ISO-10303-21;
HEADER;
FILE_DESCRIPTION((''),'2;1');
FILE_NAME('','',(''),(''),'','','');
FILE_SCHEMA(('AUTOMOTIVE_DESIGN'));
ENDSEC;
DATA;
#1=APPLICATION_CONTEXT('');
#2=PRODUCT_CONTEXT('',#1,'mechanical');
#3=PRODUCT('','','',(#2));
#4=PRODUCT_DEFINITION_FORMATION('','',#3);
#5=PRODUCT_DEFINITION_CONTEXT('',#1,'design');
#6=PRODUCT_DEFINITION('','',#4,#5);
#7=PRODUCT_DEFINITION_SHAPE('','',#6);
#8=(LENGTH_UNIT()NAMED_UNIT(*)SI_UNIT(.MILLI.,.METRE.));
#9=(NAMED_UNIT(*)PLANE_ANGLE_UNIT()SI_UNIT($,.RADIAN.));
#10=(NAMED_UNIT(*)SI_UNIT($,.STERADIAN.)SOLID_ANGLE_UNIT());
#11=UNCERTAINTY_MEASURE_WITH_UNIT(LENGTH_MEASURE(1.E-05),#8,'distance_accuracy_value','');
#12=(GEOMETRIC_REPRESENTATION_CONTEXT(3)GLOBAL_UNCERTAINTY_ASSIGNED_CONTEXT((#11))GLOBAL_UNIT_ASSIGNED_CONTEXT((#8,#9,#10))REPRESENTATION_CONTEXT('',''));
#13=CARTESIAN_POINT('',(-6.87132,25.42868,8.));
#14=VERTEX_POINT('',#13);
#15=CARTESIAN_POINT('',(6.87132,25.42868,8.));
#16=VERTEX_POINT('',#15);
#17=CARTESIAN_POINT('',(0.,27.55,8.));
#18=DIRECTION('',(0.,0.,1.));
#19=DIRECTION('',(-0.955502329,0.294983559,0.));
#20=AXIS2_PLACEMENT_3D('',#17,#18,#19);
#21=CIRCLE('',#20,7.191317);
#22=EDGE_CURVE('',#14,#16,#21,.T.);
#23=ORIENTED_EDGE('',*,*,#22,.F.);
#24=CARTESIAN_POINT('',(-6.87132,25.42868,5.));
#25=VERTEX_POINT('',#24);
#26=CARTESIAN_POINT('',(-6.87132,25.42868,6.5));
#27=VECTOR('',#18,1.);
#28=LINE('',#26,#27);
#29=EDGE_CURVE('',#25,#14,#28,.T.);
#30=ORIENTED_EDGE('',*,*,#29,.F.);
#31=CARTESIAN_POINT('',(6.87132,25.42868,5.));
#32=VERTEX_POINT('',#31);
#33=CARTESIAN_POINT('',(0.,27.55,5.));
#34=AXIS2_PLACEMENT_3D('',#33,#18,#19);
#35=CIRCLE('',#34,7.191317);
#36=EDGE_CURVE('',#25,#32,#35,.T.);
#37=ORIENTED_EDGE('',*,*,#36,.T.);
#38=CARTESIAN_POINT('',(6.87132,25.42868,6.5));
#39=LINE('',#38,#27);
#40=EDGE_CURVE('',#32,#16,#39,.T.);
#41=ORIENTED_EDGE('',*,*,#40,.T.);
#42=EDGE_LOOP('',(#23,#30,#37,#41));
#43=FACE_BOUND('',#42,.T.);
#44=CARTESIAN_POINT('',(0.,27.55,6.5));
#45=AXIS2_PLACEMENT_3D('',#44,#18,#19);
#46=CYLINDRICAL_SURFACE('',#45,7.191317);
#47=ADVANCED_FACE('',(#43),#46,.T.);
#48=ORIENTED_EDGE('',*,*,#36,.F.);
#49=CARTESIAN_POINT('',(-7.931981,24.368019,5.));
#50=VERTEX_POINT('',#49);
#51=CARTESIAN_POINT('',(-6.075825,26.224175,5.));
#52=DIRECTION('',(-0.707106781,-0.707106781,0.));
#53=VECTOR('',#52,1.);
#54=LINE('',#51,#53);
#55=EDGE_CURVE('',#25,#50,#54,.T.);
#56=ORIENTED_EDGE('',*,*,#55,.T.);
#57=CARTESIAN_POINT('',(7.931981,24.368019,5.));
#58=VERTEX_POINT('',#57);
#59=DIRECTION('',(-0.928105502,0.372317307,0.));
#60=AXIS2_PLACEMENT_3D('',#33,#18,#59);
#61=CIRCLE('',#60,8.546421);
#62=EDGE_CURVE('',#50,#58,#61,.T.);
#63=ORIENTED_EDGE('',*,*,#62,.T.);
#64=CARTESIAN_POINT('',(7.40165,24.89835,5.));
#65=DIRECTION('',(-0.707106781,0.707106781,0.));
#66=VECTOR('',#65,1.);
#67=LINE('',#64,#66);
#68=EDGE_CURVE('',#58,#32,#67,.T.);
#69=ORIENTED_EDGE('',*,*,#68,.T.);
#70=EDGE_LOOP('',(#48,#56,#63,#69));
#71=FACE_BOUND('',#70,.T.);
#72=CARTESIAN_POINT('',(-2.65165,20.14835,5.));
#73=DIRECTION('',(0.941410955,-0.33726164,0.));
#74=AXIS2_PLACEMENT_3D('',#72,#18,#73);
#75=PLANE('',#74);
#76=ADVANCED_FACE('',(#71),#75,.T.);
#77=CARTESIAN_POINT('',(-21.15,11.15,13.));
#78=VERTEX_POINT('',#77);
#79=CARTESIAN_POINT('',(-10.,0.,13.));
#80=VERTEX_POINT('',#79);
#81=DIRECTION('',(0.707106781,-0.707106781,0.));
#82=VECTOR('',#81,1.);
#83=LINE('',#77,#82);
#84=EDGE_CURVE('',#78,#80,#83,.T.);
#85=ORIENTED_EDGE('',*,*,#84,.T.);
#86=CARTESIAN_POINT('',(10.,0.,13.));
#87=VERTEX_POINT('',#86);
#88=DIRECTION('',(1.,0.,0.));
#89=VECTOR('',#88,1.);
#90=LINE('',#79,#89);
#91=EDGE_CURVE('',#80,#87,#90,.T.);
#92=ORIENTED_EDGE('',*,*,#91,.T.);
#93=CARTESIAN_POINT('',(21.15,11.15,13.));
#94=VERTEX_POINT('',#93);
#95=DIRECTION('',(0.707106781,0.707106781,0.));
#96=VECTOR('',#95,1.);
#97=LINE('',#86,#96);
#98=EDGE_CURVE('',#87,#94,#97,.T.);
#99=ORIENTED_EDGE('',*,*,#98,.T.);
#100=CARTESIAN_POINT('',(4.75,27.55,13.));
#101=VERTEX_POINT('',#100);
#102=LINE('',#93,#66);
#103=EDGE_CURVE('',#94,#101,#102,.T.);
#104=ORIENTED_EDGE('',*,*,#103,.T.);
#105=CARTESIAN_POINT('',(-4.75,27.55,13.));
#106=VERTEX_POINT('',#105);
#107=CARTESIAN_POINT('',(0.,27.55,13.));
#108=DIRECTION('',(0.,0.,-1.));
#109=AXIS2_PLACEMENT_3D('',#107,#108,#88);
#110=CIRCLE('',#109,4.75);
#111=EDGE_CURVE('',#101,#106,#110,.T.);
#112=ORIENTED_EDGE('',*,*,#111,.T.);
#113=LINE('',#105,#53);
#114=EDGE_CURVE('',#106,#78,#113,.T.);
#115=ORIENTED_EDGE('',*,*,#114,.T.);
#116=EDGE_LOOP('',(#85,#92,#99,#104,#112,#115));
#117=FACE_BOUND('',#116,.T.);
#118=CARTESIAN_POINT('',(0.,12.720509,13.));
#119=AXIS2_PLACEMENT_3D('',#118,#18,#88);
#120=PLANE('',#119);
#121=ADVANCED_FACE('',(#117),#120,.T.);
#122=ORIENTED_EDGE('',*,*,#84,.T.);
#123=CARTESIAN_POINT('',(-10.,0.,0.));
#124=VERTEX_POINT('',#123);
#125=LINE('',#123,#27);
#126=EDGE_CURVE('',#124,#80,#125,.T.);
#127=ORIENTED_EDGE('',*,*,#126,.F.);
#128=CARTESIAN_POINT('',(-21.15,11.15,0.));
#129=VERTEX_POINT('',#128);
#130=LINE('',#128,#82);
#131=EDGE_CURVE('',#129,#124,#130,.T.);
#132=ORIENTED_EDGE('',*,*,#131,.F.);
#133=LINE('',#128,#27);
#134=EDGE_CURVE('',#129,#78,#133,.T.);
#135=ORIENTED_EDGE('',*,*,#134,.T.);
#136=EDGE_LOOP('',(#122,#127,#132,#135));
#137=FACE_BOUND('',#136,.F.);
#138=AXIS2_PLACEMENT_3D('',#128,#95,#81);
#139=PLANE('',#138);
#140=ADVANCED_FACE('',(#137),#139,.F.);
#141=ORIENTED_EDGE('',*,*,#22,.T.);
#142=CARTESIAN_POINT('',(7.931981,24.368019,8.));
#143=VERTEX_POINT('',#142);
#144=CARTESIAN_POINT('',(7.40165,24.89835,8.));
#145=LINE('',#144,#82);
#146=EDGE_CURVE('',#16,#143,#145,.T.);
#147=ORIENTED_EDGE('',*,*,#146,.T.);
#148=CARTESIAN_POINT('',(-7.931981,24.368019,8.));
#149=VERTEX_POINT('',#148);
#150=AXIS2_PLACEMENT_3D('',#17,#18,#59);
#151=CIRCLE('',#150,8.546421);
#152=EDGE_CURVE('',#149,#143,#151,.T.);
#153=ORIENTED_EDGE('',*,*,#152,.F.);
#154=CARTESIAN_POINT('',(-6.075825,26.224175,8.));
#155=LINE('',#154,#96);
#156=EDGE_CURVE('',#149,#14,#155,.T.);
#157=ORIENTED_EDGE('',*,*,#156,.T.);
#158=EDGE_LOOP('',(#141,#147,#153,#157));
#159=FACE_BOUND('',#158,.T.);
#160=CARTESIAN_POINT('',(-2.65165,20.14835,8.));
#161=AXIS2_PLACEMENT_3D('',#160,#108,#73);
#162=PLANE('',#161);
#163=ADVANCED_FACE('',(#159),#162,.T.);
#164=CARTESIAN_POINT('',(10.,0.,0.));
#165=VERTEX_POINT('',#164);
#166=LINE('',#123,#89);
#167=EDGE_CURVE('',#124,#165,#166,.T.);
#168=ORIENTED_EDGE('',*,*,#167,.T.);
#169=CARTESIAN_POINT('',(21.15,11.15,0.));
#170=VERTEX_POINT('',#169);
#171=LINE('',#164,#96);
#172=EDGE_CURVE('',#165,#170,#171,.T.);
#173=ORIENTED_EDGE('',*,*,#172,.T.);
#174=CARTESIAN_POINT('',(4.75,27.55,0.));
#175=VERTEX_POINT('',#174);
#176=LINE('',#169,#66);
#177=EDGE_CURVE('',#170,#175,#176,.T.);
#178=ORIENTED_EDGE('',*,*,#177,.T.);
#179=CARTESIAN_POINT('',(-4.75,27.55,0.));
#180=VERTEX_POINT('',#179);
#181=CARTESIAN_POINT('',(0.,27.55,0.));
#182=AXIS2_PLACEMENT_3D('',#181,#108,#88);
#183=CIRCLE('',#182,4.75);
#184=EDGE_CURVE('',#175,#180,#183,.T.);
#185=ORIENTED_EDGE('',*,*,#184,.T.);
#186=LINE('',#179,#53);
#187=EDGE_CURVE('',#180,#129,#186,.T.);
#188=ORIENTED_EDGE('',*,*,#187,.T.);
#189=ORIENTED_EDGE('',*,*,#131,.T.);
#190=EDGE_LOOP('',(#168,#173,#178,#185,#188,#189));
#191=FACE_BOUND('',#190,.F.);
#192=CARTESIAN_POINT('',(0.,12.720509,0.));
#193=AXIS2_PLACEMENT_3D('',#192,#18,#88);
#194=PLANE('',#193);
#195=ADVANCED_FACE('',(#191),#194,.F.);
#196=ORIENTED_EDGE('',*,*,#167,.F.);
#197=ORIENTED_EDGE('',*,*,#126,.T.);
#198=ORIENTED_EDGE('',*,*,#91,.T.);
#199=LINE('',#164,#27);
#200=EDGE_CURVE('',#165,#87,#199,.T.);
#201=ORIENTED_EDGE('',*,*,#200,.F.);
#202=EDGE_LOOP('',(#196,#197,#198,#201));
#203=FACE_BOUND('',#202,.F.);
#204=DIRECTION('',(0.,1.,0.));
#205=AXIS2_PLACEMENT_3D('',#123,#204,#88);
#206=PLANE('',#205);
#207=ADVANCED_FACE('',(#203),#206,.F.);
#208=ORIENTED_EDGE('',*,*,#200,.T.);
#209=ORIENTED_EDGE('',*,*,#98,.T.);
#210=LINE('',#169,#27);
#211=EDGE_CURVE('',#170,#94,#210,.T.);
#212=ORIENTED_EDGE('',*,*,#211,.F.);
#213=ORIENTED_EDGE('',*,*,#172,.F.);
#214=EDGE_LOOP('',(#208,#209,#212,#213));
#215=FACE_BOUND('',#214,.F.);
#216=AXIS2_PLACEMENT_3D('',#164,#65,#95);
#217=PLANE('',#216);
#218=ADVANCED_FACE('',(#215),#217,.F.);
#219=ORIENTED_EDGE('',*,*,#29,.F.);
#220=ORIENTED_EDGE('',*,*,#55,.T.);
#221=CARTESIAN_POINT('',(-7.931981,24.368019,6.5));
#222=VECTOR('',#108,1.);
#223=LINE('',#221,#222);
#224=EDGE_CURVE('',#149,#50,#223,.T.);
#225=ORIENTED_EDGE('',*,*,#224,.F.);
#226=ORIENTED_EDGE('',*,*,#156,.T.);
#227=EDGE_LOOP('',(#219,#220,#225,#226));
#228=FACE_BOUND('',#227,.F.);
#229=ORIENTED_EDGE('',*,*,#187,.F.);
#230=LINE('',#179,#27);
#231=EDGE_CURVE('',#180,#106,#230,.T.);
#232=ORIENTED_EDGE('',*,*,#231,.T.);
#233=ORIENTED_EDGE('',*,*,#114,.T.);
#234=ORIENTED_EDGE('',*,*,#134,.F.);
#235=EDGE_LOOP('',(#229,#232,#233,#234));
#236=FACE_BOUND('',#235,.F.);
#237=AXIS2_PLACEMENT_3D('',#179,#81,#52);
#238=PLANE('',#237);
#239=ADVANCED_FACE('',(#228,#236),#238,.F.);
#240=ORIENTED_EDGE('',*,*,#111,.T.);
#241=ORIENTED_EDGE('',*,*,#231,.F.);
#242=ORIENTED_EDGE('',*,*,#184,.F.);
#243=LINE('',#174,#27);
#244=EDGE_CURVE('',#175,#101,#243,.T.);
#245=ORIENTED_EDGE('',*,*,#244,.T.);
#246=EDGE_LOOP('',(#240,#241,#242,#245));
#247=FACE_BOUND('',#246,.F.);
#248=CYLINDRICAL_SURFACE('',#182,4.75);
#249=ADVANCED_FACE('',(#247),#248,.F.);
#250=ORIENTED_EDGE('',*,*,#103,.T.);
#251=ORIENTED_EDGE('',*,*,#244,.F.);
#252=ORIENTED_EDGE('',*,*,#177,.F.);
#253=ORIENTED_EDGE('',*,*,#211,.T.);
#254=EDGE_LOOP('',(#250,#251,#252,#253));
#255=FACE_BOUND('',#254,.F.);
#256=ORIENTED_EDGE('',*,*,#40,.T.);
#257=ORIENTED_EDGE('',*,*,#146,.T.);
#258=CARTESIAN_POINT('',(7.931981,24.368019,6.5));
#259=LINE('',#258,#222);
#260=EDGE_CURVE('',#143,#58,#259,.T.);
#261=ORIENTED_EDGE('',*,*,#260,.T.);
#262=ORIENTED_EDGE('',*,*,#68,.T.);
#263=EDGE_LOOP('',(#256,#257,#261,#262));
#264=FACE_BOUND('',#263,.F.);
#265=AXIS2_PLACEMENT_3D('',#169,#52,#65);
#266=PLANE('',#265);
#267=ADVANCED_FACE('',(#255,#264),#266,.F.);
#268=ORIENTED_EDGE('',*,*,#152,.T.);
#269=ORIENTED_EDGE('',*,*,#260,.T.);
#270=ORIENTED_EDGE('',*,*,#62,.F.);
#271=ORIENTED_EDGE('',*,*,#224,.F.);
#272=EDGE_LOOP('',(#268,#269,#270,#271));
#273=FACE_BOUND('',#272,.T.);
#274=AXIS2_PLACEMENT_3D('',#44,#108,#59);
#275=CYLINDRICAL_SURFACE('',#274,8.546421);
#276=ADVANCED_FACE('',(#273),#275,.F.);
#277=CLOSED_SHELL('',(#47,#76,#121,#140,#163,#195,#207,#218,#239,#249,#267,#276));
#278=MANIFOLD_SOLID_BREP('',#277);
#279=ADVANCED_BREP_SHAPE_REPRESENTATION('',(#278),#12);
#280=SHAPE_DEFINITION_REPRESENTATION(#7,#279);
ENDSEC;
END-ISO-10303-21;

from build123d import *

# Parameters (mm, degrees)
F1_DEPTH = 13
F2_W     = 1.5
F2_H     = 3


with BuildPart() as f1:
    # F0 (on Top) → F1 (new body)
    with BuildSketch(Plane.XY):
        with BuildLine():
            Line((21.15, 11.15), (4.75, 27.55))
            ThreePointArc((4.75, 27.55), (0, 22.8), (-4.75, 27.55))
            Line((-4.75, 27.55), (-21.15, 11.15))
            Line((-21.15, 11.15), (-10, 0))
            Line((-10, 0), (0, 0))
            Line((0, 0), (10, 0))
            Line((10, 0), (21.15, 11.15))
        make_face()
    extrude(amount=F1_DEPTH)

    # F3: sweep along a path in F3_path
    with BuildLine(Plane(origin=(-4.75, 27.55, 13), x_dir=(0, -1, 0), z_dir=(0, 0, -1))) as f3_path:
        ThreePointArc((0, 0), (4.75, -4.75), (0, -9.5))
    # F2 (on face) → F3 (sweep, cut)
    with BuildSketch(Plane(origin=(16.15, 16.15, 0), x_dir=(-0.7071067812, 0.7071067812, 0), z_dir=(0.7071067812, 0.7071067812, 0))):
        with Locations((12.3720346111, 6.5)):
            Rectangle(F2_W, F2_H)
    sweep(path=f3_path.line, mode=Mode.SUBTRACT)


solid = f1.part
